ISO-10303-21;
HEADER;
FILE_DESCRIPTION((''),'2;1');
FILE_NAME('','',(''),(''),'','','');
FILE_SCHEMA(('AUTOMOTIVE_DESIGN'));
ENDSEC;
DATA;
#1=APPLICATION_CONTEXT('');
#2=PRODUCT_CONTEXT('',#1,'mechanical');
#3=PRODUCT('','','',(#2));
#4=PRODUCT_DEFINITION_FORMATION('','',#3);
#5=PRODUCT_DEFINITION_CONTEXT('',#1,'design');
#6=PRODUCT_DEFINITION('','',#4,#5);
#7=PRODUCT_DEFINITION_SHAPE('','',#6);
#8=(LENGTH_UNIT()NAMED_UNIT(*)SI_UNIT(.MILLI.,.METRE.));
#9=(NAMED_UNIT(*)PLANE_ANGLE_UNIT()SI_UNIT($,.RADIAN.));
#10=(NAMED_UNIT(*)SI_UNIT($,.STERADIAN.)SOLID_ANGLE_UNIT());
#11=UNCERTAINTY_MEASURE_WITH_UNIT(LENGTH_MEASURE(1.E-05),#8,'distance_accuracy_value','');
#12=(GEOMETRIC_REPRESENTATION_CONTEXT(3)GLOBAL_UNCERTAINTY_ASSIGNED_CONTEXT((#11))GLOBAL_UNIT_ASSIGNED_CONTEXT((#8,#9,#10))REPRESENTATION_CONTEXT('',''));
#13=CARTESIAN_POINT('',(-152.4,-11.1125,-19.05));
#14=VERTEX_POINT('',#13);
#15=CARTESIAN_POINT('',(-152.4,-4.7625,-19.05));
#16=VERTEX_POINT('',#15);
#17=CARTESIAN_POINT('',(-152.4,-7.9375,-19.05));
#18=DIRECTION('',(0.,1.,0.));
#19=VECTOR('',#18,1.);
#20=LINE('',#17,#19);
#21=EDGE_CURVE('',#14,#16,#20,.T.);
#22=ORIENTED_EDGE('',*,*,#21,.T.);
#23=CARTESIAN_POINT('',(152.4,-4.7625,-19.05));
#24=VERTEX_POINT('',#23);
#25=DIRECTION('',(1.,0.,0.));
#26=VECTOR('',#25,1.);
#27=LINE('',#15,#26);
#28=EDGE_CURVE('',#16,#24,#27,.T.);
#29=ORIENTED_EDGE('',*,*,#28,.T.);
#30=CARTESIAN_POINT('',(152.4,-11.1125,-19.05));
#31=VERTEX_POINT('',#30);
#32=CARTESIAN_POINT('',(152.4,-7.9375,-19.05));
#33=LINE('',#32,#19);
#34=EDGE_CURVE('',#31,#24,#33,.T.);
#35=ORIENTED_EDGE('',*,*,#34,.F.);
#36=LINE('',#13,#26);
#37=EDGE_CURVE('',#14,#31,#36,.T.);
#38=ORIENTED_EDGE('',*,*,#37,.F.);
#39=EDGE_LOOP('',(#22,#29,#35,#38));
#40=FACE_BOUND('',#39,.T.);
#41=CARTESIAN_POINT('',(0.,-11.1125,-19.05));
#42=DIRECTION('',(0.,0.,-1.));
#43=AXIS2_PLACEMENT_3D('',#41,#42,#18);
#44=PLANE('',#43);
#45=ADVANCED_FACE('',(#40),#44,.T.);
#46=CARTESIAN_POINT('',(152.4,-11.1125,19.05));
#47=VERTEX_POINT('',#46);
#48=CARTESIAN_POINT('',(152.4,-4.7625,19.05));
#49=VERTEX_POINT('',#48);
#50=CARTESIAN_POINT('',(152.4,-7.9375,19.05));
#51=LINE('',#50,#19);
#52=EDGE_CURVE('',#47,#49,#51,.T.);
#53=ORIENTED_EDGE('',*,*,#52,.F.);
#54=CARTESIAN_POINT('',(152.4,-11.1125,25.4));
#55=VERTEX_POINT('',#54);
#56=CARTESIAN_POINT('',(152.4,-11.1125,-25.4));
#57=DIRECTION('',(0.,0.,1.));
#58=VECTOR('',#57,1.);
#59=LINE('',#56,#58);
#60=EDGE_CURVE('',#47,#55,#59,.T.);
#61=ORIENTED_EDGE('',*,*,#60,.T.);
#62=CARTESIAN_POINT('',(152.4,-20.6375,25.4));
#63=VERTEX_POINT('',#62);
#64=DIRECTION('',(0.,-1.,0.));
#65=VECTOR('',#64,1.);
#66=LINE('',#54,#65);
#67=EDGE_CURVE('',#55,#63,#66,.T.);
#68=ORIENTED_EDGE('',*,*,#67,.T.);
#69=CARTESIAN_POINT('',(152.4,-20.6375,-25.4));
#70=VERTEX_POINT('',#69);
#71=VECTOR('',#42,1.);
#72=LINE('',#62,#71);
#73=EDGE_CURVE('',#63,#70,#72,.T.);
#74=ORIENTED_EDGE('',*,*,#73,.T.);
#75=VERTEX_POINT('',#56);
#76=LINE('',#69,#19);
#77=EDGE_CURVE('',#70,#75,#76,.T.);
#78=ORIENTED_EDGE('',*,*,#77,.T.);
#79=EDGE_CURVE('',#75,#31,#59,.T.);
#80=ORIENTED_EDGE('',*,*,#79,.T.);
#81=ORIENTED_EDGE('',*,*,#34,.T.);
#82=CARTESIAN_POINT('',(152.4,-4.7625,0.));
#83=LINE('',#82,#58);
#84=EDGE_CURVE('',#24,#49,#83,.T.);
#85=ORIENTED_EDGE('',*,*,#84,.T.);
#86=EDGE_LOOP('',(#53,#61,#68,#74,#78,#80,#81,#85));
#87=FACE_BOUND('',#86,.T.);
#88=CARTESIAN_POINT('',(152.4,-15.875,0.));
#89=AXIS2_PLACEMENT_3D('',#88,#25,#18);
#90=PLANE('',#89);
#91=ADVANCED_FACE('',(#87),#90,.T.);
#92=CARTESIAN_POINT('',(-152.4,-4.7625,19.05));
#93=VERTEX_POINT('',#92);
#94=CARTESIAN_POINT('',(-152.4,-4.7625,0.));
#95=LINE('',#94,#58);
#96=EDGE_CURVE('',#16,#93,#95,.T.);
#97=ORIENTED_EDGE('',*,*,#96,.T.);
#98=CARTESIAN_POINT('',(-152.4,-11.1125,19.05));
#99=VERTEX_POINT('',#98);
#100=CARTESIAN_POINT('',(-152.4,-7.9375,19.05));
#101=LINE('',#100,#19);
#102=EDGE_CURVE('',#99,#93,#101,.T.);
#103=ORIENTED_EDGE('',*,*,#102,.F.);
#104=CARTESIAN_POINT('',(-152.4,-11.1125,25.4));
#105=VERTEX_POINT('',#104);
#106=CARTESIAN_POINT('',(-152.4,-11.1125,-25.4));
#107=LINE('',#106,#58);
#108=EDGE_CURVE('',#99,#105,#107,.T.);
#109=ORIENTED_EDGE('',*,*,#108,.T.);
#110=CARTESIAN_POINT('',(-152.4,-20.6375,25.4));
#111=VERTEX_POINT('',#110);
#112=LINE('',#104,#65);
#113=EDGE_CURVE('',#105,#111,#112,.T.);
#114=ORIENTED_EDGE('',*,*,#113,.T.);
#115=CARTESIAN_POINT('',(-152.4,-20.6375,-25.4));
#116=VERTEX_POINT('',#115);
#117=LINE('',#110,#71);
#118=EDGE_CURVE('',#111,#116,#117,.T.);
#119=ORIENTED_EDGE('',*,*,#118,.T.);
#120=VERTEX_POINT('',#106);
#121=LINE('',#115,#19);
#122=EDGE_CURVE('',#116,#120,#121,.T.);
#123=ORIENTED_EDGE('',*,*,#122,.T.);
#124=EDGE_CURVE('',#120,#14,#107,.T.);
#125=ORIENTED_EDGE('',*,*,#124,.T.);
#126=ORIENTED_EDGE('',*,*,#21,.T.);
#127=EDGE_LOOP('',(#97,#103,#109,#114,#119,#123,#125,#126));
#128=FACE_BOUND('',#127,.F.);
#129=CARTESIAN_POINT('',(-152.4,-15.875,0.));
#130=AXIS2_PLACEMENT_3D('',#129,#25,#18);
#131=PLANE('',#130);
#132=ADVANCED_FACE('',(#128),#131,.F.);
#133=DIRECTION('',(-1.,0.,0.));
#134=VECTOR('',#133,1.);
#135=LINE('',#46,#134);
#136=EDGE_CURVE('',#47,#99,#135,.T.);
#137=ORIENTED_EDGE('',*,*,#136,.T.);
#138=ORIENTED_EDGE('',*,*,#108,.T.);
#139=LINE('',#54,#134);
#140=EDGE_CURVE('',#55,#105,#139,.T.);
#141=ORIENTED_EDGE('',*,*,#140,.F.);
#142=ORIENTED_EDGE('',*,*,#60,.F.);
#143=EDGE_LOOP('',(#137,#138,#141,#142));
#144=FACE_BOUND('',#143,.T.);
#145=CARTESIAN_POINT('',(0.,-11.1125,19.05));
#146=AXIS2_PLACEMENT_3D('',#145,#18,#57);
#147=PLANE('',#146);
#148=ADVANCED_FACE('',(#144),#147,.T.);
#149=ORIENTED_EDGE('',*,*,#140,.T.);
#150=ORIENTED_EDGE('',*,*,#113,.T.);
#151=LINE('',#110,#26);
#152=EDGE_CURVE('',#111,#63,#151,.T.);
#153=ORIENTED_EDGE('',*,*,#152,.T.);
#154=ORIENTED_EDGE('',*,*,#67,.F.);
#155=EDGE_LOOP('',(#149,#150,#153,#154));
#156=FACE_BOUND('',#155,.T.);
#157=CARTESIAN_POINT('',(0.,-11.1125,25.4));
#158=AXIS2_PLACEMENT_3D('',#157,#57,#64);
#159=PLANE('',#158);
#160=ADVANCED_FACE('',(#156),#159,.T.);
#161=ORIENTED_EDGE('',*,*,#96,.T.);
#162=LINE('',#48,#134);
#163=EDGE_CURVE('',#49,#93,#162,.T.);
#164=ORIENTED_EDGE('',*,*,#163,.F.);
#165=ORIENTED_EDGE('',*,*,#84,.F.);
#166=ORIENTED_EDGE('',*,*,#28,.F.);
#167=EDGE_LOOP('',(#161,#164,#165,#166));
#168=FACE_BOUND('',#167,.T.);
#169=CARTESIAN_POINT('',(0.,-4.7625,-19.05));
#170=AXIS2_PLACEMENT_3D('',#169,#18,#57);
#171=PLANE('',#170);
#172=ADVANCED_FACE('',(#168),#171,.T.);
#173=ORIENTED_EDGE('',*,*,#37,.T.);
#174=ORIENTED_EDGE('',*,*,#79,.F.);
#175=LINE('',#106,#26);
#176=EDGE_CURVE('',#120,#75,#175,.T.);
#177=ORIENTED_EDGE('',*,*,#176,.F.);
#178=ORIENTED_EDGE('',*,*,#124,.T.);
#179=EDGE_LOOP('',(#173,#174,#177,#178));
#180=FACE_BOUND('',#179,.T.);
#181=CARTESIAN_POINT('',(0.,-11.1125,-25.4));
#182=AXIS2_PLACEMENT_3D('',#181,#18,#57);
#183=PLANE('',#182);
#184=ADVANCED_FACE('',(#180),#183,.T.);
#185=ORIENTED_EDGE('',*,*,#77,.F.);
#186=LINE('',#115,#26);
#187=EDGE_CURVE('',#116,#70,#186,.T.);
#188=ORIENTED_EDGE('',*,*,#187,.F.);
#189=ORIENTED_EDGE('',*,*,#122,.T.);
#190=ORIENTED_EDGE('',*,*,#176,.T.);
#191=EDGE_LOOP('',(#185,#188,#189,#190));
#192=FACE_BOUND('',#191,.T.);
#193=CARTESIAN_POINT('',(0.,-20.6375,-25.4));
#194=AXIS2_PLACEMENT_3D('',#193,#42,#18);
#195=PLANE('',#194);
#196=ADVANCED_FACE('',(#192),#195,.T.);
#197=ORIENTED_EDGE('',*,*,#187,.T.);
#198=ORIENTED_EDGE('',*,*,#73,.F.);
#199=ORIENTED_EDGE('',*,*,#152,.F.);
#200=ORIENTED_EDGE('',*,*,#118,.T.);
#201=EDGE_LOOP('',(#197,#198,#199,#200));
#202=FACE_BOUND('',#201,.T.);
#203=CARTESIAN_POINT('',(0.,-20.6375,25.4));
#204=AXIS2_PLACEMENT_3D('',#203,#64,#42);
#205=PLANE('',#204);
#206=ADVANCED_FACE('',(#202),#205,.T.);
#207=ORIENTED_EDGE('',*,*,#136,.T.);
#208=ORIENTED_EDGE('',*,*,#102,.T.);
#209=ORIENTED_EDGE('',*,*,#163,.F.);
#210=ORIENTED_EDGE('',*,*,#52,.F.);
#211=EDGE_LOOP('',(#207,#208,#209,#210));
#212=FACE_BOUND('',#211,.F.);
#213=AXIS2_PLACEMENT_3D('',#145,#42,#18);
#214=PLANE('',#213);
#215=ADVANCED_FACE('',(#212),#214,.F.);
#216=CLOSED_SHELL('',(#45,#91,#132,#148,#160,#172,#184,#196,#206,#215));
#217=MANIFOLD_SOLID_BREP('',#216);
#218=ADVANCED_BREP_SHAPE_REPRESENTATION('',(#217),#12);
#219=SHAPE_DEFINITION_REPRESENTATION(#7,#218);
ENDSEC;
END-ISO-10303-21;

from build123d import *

# Parameters (mm, degrees)
F0_W     = 6.35
F0_H     = 38.1
F1_DEPTH = 152.4


with BuildPart() as f1:
    # F0 (on Right) → F1 (new body, symmetric)
    with BuildSketch(Plane.YZ):
        Polygon((-11.1125, 25.4), (-20.6375, 25.4), (-20.6375, -25.4), (-11.1125, -25.4), (-11.1125, -19.05), (-11.1125, 19.05), align=None)
        with Locations((-7.9375, 0)):
            Rectangle(F0_W, F0_H)
    extrude(amount=F1_DEPTH, both=True)


solid = f1.part
